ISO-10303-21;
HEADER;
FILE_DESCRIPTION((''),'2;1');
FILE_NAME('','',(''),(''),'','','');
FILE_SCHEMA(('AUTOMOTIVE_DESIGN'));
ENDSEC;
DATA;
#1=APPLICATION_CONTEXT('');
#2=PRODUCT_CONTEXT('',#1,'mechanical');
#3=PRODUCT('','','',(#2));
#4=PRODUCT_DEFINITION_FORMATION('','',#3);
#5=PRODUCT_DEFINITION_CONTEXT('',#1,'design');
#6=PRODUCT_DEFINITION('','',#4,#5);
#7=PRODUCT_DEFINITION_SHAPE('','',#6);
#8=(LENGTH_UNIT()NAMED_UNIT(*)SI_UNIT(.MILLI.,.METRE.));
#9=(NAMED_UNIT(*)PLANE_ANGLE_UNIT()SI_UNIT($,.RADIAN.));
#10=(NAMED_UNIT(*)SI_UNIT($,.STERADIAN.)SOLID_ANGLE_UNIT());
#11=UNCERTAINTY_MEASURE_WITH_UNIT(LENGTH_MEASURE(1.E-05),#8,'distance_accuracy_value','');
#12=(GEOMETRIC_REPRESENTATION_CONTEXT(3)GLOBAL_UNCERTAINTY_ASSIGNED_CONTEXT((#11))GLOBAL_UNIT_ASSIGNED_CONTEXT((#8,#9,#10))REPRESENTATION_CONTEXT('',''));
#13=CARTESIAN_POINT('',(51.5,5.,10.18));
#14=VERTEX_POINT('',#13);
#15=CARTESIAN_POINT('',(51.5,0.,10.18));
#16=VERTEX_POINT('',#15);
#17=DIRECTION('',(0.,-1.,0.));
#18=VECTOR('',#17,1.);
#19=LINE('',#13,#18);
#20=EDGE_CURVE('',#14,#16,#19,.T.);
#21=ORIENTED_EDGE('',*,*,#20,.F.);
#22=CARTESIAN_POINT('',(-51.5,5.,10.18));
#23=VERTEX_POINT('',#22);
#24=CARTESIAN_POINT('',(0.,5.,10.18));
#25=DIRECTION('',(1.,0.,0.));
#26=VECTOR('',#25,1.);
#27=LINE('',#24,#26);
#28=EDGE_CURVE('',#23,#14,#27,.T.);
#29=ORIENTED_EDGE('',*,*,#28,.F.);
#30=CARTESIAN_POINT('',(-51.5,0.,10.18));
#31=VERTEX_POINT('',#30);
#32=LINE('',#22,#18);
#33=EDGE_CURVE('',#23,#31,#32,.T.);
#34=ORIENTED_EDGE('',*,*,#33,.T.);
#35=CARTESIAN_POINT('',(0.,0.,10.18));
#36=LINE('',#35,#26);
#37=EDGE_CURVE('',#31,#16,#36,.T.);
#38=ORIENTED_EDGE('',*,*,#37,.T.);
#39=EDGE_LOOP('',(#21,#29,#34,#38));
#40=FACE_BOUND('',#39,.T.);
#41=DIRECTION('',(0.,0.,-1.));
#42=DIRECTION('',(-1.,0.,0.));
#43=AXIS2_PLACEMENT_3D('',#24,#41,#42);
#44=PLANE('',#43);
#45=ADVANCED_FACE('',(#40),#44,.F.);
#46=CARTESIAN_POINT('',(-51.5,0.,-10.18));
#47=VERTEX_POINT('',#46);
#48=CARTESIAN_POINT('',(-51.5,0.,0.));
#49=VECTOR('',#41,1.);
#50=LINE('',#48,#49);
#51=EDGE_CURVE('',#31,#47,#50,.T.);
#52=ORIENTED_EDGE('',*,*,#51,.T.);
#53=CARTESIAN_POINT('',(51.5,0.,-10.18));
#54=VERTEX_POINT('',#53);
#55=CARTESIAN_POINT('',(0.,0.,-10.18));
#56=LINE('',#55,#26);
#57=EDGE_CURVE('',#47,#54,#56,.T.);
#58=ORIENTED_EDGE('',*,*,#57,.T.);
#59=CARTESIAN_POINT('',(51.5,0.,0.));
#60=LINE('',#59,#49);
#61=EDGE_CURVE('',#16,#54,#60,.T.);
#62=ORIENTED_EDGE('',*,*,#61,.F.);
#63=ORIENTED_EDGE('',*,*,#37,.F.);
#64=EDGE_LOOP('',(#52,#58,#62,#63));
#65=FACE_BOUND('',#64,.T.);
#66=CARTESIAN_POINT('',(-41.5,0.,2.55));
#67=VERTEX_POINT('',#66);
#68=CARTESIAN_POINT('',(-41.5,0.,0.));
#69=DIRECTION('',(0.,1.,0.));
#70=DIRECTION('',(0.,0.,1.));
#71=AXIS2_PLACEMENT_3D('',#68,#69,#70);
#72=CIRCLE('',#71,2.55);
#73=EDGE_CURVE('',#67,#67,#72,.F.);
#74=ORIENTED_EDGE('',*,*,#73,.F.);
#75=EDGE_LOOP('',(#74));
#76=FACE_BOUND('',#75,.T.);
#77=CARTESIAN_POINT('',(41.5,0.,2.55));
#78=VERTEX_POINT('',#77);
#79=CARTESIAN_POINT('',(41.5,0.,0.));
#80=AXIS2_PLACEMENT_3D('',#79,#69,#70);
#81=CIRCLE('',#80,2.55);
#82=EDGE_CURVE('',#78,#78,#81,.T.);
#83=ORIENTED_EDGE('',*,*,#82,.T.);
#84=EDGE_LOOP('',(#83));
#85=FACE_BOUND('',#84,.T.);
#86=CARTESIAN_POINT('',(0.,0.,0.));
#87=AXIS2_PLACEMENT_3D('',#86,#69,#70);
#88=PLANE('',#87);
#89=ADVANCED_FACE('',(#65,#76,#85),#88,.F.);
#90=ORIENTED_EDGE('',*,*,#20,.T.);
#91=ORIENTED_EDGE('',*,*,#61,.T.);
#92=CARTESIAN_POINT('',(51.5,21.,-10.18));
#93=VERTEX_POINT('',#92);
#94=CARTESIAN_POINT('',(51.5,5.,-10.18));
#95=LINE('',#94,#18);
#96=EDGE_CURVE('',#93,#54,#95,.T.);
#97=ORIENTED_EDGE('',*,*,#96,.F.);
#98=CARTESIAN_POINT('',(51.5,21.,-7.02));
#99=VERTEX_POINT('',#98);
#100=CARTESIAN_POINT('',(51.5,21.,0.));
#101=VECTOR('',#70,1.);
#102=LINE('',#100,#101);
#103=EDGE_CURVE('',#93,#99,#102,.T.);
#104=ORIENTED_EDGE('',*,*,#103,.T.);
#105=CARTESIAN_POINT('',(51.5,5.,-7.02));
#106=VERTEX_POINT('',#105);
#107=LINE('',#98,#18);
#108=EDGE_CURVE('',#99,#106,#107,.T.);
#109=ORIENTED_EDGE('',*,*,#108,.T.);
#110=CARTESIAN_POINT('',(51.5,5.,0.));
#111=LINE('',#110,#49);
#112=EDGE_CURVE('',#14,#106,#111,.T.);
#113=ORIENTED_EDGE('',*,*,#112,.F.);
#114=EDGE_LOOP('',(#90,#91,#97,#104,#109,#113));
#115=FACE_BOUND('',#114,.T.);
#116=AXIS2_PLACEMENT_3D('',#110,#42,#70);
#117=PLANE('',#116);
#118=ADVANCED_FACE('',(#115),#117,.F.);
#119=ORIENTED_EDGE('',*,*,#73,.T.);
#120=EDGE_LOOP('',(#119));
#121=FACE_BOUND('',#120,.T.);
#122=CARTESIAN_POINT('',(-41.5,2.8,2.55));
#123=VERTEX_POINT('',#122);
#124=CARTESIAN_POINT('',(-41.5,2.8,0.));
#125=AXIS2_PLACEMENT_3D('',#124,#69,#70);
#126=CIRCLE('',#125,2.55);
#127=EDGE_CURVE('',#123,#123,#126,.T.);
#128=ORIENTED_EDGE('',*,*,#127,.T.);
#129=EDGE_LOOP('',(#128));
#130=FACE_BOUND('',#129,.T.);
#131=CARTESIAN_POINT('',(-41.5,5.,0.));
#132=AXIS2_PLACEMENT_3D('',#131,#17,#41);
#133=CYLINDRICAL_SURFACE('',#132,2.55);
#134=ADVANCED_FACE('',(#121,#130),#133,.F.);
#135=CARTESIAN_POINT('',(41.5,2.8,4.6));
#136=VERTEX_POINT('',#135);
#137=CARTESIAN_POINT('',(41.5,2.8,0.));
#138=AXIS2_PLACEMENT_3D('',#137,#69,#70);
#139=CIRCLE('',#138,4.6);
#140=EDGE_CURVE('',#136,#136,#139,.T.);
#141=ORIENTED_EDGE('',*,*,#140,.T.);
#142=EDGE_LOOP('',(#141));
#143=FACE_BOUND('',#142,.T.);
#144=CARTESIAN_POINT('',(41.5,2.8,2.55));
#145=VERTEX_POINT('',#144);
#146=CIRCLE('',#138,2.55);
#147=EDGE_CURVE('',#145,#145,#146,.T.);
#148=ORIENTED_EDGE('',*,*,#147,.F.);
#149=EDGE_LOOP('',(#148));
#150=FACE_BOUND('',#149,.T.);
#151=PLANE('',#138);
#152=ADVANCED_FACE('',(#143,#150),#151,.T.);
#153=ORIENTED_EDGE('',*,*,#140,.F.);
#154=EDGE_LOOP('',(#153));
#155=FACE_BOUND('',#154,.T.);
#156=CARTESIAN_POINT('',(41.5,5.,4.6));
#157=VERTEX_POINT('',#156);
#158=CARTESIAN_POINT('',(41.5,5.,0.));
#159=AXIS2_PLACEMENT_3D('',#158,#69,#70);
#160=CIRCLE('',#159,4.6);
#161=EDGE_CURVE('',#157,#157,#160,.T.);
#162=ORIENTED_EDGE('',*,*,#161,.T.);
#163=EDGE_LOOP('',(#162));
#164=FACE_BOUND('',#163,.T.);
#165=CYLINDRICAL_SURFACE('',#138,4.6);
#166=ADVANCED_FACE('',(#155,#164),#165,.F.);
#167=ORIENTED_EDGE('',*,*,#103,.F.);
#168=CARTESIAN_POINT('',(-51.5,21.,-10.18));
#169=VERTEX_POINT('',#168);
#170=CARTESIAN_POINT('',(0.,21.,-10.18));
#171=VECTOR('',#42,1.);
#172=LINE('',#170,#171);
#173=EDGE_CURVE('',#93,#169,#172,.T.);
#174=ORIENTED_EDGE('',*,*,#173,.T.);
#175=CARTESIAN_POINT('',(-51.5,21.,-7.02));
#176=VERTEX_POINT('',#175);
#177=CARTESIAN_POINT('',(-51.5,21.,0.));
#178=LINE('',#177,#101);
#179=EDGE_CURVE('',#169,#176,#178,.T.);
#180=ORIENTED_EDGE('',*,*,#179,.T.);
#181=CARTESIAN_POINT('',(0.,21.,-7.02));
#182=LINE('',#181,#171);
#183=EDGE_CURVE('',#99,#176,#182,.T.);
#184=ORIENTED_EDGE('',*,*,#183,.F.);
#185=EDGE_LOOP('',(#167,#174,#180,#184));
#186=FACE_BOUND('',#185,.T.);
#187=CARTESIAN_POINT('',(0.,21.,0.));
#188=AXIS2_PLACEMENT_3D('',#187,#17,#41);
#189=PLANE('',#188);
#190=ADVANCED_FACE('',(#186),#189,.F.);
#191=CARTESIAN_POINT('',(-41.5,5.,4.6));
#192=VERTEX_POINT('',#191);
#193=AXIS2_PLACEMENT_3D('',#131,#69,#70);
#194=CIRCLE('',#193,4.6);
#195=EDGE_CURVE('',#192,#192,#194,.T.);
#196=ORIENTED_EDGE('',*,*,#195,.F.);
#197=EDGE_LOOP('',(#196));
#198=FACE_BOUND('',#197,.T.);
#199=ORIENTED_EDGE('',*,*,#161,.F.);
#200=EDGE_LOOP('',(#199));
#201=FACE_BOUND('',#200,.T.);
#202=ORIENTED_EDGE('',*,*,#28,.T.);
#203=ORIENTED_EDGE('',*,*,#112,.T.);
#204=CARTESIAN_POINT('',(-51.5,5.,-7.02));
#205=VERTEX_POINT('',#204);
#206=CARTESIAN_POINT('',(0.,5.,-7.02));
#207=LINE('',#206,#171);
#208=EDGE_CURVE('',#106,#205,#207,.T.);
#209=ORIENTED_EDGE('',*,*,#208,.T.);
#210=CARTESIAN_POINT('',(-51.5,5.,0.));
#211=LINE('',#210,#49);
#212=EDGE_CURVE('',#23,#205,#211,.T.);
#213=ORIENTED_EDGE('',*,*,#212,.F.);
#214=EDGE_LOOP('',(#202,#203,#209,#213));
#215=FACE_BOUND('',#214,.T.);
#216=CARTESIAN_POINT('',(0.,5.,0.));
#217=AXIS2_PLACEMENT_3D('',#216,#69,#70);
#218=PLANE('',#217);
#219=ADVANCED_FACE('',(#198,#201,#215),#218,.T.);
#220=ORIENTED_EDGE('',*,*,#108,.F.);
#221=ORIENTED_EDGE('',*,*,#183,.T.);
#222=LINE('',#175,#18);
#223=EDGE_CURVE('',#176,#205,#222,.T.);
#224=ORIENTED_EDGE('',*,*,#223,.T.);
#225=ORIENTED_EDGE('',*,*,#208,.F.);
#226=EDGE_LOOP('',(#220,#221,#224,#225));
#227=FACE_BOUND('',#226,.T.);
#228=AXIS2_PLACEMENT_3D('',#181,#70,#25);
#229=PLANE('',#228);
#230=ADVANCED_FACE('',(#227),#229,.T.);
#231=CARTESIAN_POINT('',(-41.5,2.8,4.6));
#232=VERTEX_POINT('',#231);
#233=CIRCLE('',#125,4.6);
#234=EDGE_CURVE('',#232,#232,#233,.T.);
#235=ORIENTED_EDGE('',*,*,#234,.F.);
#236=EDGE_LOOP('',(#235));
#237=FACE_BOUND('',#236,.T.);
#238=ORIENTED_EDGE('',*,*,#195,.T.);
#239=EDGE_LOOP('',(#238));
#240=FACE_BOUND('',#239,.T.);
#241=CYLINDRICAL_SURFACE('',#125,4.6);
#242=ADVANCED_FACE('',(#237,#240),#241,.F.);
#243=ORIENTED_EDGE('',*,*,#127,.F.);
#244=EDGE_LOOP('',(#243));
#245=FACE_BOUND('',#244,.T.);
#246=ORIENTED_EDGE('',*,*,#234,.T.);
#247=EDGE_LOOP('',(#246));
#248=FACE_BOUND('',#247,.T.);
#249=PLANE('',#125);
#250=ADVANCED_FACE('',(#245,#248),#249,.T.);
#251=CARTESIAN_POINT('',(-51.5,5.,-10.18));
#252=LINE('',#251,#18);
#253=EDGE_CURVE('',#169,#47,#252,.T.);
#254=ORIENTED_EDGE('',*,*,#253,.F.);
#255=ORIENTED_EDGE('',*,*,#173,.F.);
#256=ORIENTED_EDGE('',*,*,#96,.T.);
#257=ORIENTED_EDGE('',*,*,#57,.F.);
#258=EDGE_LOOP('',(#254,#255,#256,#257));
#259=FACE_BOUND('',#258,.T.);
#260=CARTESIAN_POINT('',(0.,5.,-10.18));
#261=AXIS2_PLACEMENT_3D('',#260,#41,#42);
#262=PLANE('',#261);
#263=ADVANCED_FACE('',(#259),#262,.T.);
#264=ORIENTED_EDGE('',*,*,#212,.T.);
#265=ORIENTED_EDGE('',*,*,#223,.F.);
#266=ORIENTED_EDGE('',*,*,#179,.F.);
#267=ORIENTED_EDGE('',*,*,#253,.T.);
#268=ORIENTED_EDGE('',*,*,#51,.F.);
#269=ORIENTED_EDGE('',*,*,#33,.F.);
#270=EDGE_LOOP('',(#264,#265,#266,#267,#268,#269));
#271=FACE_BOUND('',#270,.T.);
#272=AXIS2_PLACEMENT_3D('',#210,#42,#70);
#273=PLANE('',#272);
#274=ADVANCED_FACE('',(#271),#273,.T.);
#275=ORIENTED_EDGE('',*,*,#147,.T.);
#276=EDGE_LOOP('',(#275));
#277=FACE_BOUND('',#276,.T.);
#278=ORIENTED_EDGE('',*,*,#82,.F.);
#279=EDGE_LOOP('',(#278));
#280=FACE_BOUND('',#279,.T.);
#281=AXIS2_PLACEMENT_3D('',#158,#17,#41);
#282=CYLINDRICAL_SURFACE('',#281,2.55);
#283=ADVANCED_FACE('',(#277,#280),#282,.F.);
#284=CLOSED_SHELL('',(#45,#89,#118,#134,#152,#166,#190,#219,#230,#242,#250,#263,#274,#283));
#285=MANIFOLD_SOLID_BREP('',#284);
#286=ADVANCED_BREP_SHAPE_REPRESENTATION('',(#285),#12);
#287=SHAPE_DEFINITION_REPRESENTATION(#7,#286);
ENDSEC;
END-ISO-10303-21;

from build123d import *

# Parameters (mm, degrees)
SKETCH1_W           = 103
SKETCH1_H           = 17.2
SKETCH1_R           = 4.6
SKETCH1_H_2         = 3.16
SKETCH1_R_2         = 2.55
BOSS_EXTRUDE1_DEPTH = 5
BOSS_EXTRUDE2_START = 5
SKETCH1_3_W         = 103
SKETCH1_3_H         = 3.16
BOSS_EXTRUDE2_DEPTH = 16
CUT_EXTRUDE1_START  = 2.8
SKETCH1_5_R         = 4.6
SKETCH1_5_R_2       = 2.55
CUT_EXTRUDE1_DEPTH  = 2.2


with BuildPart() as part:
    # Sketch1 → Boss-Extrude1 (new body)
    # profile 1 of 4: a face of its own
    with BuildSketch(Plane(origin=(0, 0, 0), x_dir=(1, 0, 0), z_dir=(0, 1, 0))):
        with Locations((0, -1.58)):
            Rectangle(SKETCH1_W, SKETCH1_H)
        with Locations((-41.5, 0)):
            Circle(SKETCH1_R, mode=Mode.SUBTRACT)
        with Locations((41.5, 0)):
            Circle(SKETCH1_R, mode=Mode.SUBTRACT)
    # profile 2 of 4: a face of its own
    with BuildSketch(Plane(origin=(0, 0, 0), x_dir=(1, 0, 0), z_dir=(0, 1, 0))):
        with Locations((0, 8.6)):
            Rectangle(SKETCH1_W, SKETCH1_H_2)
    # profile 3 of 4: a face of its own
    with BuildSketch(Plane(origin=(0, 0, 0), x_dir=(1, 0, 0), z_dir=(0, 1, 0))):
        with Locations((-41.5, 0)):
            Circle(SKETCH1_R)
        with Locations(Location((-41.5, 0, 0), (0, 0, 270))):
            Circle(SKETCH1_R_2, mode=Mode.SUBTRACT)
    # profile 4 of 4: a face of its own
    with BuildSketch(Plane(origin=(0, 0, 0), x_dir=(1, 0, 0), z_dir=(0, 1, 0))):
        with Locations((41.5, 0)):
            Circle(SKETCH1_R)
        with Locations(Location((41.5, 0, 0), (0, 0, 270))):
            Circle(SKETCH1_R_2, mode=Mode.SUBTRACT)
    extrude(amount=BOSS_EXTRUDE1_DEPTH)

    # Sketch1<3> → Boss-Extrude2 (add)
    with BuildSketch(Plane(origin=(0, 0, 0), x_dir=(1, 0, 0), z_dir=(0, 1, 0)).offset(BOSS_EXTRUDE2_START)):
        with Locations((0, 8.6)):
            Rectangle(SKETCH1_3_W, SKETCH1_3_H)
    extrude(amount=BOSS_EXTRUDE2_DEPTH)

    # Sketch1<5> → Cut-Extrude1 (cut)
    # profile 1 of 2: a face of its own
    with BuildSketch(Plane(origin=(0, 0, 0), x_dir=(1, 0, 0), z_dir=(0, 1, 0)).offset(CUT_EXTRUDE1_START)):
        with Locations(Location((-41.5, 0, 0), (0, 0, 270))):
            Circle(SKETCH1_5_R)
        with Locations(Location((-41.5, 0, 0), (0, 0, 270))):
            Circle(SKETCH1_5_R_2, mode=Mode.SUBTRACT)
    # profile 2 of 2: a face of its own
    with BuildSketch(Plane(origin=(0, 0, 0), x_dir=(1, 0, 0), z_dir=(0, 1, 0)).offset(CUT_EXTRUDE1_START)):
        with Locations(Location((41.5, 0, 0), (0, 0, 270))):
            Circle(SKETCH1_5_R)
        with Locations(Location((41.5, 0, 0), (0, 0, 270))):
            Circle(SKETCH1_5_R_2, mode=Mode.SUBTRACT)
    extrude(amount=CUT_EXTRUDE1_DEPTH, mode=Mode.SUBTRACT)


solid = part.part
